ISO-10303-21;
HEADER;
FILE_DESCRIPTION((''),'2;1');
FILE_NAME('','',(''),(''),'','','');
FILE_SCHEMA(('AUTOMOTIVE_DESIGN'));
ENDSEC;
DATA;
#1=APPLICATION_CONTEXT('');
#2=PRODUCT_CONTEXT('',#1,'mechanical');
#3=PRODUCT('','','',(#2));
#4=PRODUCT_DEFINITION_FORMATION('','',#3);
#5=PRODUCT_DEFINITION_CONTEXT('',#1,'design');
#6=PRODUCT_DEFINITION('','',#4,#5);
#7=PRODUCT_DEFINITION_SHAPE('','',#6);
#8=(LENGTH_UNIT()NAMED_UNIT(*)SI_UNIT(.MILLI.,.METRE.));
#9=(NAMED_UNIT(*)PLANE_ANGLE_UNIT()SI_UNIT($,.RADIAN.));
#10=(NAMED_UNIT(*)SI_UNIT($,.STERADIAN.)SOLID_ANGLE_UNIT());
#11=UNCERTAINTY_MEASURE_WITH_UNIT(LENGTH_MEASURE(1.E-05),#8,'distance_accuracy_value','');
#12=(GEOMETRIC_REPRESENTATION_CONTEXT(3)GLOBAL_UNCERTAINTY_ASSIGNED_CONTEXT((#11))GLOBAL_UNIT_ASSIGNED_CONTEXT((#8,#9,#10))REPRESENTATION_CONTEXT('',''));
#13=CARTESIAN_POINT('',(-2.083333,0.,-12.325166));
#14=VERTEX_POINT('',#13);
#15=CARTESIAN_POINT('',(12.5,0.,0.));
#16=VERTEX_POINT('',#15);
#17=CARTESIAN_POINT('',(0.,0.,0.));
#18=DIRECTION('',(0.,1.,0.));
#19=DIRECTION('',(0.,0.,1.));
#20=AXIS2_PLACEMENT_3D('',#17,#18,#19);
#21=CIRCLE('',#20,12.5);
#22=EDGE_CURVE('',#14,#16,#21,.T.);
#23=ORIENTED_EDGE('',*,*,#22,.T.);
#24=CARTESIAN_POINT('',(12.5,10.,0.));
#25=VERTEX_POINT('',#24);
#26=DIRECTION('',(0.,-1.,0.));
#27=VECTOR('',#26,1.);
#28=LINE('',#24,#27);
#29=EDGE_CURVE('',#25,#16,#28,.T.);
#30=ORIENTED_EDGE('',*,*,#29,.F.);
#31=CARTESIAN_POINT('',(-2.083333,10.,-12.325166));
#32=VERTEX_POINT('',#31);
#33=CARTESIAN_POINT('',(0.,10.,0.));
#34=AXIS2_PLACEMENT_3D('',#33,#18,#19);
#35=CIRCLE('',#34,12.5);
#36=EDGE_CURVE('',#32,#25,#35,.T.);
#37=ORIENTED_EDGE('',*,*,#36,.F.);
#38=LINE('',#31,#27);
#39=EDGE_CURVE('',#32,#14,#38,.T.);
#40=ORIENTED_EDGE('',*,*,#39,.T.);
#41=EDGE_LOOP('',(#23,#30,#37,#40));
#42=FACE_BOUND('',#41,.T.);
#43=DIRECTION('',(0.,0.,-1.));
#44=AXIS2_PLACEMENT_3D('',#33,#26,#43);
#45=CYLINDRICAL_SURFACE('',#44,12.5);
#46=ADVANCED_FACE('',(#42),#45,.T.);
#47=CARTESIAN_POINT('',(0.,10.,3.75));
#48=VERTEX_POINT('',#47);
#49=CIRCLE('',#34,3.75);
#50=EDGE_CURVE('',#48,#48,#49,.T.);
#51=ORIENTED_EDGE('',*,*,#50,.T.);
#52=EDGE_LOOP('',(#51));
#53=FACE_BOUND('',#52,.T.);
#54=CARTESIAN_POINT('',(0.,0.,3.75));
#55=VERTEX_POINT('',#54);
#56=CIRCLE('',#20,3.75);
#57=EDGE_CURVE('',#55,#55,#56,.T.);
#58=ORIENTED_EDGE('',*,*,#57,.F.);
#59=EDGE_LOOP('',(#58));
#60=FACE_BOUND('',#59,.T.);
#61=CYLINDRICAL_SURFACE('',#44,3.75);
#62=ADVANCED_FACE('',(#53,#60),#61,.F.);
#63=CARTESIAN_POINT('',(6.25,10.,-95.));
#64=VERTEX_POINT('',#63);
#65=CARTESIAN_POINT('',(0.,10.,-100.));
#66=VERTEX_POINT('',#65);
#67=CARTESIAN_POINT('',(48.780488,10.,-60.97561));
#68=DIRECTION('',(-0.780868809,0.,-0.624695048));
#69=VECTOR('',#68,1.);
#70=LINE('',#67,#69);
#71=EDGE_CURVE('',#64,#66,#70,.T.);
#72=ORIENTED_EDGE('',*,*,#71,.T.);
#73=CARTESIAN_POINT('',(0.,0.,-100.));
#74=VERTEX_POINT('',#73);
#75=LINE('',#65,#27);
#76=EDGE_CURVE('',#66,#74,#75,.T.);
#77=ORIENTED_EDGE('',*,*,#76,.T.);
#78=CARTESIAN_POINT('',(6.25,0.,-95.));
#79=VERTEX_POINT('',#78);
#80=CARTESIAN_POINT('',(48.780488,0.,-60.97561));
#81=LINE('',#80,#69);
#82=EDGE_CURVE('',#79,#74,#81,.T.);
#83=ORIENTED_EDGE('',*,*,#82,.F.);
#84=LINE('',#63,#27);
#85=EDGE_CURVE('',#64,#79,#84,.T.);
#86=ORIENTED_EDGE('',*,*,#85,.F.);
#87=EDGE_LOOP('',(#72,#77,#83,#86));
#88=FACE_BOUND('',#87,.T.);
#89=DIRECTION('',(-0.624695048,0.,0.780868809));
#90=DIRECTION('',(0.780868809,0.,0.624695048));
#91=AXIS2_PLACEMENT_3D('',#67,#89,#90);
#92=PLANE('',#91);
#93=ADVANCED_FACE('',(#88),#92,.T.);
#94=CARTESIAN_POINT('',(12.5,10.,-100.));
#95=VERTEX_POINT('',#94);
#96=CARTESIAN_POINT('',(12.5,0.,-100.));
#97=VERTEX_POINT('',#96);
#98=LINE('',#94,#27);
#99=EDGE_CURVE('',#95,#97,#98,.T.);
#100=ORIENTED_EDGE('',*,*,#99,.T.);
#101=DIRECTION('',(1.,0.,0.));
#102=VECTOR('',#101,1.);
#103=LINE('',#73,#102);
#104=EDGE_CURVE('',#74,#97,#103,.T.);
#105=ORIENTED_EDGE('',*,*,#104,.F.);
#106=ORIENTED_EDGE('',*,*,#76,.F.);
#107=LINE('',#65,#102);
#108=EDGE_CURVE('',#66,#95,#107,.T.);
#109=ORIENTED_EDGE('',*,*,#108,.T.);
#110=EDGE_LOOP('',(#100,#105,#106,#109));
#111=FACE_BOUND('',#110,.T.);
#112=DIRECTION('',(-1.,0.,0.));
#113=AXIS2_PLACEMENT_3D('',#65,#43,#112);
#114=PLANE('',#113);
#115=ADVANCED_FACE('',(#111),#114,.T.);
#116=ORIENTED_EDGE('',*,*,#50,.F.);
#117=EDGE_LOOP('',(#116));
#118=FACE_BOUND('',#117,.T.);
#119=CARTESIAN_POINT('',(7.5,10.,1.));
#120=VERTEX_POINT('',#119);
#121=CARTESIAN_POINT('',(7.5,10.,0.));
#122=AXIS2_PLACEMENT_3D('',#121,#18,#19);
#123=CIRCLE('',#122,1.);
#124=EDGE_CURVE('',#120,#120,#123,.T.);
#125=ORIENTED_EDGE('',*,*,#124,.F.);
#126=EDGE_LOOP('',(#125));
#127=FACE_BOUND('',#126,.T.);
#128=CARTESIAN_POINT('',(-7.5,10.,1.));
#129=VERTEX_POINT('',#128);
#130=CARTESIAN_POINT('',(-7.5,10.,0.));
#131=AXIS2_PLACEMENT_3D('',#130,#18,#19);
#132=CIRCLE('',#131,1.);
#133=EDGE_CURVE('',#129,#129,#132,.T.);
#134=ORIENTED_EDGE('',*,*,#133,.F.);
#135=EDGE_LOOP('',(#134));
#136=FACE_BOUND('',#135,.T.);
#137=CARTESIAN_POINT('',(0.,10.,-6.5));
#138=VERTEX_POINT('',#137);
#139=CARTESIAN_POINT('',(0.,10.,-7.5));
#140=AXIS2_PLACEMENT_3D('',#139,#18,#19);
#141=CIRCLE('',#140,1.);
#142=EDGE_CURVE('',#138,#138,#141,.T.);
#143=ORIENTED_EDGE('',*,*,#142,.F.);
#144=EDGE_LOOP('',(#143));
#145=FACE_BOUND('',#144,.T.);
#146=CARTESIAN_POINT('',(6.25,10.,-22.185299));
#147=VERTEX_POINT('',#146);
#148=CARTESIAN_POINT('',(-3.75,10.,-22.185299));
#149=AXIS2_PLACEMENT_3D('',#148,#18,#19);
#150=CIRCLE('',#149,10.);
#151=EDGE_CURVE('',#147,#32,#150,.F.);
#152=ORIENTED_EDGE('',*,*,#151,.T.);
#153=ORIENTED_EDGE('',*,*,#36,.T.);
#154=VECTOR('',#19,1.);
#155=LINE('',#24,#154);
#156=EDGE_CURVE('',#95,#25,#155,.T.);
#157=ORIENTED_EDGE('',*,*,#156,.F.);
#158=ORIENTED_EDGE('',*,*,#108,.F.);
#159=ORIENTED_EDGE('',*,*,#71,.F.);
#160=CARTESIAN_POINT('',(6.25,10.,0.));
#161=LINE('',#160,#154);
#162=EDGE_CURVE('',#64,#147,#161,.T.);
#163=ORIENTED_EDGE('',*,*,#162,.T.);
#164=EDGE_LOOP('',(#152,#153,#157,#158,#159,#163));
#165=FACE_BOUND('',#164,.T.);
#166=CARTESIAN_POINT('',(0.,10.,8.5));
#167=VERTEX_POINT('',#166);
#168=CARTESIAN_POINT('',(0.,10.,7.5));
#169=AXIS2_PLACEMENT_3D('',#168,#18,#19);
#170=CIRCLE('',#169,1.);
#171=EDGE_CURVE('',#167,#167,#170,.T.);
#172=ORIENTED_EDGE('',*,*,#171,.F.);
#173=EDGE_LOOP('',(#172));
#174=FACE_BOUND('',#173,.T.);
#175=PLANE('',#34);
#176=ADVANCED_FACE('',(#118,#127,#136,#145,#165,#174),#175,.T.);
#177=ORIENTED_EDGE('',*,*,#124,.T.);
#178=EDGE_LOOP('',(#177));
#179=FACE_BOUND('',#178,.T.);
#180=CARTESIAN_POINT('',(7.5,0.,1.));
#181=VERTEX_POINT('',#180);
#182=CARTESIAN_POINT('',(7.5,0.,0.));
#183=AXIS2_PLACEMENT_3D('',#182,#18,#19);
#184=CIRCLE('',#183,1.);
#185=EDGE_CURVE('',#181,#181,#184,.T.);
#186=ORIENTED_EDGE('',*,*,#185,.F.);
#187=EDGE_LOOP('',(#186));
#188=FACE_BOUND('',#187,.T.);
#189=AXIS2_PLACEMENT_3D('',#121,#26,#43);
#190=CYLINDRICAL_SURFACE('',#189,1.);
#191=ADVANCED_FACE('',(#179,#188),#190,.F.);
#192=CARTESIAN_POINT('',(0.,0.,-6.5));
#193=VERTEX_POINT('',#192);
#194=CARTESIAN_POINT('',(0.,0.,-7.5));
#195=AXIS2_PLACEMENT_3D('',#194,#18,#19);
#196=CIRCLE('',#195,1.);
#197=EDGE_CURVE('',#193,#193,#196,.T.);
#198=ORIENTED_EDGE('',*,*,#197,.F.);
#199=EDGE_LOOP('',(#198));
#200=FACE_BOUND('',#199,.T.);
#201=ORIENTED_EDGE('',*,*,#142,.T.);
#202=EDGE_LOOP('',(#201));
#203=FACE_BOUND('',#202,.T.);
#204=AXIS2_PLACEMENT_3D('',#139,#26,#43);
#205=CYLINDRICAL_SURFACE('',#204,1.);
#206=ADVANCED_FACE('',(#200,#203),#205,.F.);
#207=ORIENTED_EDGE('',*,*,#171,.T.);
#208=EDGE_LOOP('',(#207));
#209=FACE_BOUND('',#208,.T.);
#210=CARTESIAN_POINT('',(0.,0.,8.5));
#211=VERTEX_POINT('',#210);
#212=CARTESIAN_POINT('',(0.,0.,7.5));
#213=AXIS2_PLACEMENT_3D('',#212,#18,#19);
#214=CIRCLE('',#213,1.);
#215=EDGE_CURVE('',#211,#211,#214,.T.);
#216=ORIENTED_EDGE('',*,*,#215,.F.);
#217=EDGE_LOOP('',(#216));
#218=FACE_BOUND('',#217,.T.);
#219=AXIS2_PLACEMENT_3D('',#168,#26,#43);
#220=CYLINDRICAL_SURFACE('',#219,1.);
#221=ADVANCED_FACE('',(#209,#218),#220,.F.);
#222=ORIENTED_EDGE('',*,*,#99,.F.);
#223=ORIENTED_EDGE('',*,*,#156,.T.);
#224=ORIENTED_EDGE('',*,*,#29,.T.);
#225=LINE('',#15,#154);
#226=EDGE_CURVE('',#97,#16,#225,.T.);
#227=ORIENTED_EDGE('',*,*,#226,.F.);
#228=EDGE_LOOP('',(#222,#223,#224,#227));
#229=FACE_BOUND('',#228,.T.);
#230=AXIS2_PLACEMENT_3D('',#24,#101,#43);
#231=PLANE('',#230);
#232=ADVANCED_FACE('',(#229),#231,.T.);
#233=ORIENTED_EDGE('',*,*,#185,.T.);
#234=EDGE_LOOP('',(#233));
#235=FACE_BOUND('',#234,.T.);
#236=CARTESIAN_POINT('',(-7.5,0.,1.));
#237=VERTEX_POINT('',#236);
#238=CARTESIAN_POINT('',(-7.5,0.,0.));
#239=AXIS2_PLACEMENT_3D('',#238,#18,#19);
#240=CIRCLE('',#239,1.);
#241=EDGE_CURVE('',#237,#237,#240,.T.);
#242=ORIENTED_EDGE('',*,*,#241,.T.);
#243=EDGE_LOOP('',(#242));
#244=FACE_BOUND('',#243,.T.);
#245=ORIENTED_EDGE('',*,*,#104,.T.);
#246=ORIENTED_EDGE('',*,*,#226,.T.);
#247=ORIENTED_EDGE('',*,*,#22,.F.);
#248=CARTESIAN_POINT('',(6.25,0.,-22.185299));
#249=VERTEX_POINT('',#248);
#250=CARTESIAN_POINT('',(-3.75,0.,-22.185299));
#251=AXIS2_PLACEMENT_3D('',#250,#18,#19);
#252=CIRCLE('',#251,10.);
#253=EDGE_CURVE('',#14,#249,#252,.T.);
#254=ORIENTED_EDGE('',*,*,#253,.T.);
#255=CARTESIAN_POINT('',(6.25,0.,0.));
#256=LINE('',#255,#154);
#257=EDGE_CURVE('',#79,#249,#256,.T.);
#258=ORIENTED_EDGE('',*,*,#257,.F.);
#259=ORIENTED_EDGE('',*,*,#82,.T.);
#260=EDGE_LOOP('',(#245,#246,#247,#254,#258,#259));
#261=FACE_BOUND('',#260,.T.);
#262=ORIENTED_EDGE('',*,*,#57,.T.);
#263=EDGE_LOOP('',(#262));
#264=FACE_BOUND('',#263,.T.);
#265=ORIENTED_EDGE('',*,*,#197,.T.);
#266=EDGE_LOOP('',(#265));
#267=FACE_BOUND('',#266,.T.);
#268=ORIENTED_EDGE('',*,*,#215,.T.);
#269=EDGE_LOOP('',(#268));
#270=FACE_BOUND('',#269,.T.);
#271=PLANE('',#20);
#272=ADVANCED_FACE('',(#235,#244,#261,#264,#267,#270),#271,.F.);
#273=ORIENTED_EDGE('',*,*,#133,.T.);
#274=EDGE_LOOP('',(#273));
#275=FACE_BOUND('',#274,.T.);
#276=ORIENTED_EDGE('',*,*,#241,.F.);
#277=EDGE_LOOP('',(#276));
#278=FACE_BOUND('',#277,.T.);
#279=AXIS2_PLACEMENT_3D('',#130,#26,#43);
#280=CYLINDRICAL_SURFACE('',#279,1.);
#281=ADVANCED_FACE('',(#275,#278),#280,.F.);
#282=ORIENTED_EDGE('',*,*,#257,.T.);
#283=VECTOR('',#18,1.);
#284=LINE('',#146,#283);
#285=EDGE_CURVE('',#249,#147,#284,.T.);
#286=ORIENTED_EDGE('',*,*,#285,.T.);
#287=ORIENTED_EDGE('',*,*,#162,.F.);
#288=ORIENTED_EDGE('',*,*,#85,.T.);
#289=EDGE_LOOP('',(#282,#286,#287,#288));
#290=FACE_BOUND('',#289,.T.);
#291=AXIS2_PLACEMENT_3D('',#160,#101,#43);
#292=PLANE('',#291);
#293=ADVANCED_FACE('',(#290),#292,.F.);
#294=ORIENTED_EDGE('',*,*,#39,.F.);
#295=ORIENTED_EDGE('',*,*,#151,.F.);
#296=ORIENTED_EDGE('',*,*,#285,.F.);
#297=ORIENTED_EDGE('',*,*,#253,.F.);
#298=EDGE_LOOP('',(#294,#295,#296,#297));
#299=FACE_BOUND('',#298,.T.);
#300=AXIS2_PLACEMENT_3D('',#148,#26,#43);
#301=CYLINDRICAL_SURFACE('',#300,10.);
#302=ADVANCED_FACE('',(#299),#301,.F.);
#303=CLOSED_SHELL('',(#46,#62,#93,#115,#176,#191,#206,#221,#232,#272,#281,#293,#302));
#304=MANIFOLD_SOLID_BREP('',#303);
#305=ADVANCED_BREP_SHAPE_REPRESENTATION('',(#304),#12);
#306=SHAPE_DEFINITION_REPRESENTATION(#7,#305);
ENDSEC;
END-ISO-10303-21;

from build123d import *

# Parameters (mm, degrees)
CROQUIS1_R              = 1
SALIENTE_EXTRUIR1_DEPTH = 10
REDONDEO1_R             = 10


with BuildPart() as part:
    # Croquis1 → Saliente-Extruir1 (new body)
    with BuildSketch(Plane(origin=(0, 0, 0), x_dir=(1, 0, 0), z_dir=(0, 1, 0))):
        with BuildLine():
            Line((0, 100), (6.25, 95))
            Line((6.25, 95), (6.25, 10.825317547))
            ThreePointArc((6.25, 10.825317547), (10.825317547, 6.25), (12.5, 0))
            Line((12.5, 0), (12.5, 100))
            Line((12.5, 100), (0, 100))
        make_face()
        with BuildLine():
            ThreePointArc((12.5, 0), (10.825317547, 6.25), (6.25, 10.825317547))
            Line((6.25, 10.825317547), (6.25, 0))
            Line((6.25, 0), (6.5, 0))
            ThreePointArc((6.5, 0), (7.5, 1), (8.5, 0))
            Line((8.5, 0), (12.5, 0))
        make_face()
        with BuildLine():
            Line((6.25, 0), (6.25, 10.825317547))
            ThreePointArc((6.25, 10.825317547), (3.235238064, 12.074072829), (0, 12.5))
            Line((0, 12.5), (0, 8.5))
            ThreePointArc((0, 8.5), (0.707106781, 8.207106781), (1, 7.5))
            ThreePointArc((1, 7.5), (0.707106781, 6.792893219), (0, 6.5))
            Line((0, 6.5), (0, 3.75))
            ThreePointArc((0, 3.75), (2.651650429, 2.651650429), (3.75, 0))
            Line((3.75, 0), (6.25, 0))
        make_face()
        with BuildLine():
            Line((0, 8.5), (0, 12.5))
            ThreePointArc((0, 12.5), (-8.838834765, -8.838834765), (12.5, 0))
            Line((12.5, 0), (8.5, 0))
            ThreePointArc((8.5, 0), (7.5, -1), (6.5, 0))
            Line((6.5, 0), (6.25, 0))
            Line((6.25, 0), (3.75, 0))
            ThreePointArc((3.75, 0), (-2.651650429, -2.651650429), (0, 3.75))
            Line((0, 3.75), (0, 6.5))
            ThreePointArc((0, 6.5), (-1, 7.5), (0, 8.5))
        make_face()
        with Locations((-7.5, 0)):
            Circle(CROQUIS1_R, mode=Mode.SUBTRACT)
        with Locations((0, -7.5)):
            Circle(CROQUIS1_R, mode=Mode.SUBTRACT)
    extrude(amount=SALIENTE_EXTRUIR1_DEPTH)

    # Redondeo1
    redondeo1_edges = [part.edges().sort_by_distance(p)[0] for p in [
        (6.25, 5, -10.825317547),
    ]]
    fillet(redondeo1_edges, radius=REDONDEO1_R)


solid = part.part
